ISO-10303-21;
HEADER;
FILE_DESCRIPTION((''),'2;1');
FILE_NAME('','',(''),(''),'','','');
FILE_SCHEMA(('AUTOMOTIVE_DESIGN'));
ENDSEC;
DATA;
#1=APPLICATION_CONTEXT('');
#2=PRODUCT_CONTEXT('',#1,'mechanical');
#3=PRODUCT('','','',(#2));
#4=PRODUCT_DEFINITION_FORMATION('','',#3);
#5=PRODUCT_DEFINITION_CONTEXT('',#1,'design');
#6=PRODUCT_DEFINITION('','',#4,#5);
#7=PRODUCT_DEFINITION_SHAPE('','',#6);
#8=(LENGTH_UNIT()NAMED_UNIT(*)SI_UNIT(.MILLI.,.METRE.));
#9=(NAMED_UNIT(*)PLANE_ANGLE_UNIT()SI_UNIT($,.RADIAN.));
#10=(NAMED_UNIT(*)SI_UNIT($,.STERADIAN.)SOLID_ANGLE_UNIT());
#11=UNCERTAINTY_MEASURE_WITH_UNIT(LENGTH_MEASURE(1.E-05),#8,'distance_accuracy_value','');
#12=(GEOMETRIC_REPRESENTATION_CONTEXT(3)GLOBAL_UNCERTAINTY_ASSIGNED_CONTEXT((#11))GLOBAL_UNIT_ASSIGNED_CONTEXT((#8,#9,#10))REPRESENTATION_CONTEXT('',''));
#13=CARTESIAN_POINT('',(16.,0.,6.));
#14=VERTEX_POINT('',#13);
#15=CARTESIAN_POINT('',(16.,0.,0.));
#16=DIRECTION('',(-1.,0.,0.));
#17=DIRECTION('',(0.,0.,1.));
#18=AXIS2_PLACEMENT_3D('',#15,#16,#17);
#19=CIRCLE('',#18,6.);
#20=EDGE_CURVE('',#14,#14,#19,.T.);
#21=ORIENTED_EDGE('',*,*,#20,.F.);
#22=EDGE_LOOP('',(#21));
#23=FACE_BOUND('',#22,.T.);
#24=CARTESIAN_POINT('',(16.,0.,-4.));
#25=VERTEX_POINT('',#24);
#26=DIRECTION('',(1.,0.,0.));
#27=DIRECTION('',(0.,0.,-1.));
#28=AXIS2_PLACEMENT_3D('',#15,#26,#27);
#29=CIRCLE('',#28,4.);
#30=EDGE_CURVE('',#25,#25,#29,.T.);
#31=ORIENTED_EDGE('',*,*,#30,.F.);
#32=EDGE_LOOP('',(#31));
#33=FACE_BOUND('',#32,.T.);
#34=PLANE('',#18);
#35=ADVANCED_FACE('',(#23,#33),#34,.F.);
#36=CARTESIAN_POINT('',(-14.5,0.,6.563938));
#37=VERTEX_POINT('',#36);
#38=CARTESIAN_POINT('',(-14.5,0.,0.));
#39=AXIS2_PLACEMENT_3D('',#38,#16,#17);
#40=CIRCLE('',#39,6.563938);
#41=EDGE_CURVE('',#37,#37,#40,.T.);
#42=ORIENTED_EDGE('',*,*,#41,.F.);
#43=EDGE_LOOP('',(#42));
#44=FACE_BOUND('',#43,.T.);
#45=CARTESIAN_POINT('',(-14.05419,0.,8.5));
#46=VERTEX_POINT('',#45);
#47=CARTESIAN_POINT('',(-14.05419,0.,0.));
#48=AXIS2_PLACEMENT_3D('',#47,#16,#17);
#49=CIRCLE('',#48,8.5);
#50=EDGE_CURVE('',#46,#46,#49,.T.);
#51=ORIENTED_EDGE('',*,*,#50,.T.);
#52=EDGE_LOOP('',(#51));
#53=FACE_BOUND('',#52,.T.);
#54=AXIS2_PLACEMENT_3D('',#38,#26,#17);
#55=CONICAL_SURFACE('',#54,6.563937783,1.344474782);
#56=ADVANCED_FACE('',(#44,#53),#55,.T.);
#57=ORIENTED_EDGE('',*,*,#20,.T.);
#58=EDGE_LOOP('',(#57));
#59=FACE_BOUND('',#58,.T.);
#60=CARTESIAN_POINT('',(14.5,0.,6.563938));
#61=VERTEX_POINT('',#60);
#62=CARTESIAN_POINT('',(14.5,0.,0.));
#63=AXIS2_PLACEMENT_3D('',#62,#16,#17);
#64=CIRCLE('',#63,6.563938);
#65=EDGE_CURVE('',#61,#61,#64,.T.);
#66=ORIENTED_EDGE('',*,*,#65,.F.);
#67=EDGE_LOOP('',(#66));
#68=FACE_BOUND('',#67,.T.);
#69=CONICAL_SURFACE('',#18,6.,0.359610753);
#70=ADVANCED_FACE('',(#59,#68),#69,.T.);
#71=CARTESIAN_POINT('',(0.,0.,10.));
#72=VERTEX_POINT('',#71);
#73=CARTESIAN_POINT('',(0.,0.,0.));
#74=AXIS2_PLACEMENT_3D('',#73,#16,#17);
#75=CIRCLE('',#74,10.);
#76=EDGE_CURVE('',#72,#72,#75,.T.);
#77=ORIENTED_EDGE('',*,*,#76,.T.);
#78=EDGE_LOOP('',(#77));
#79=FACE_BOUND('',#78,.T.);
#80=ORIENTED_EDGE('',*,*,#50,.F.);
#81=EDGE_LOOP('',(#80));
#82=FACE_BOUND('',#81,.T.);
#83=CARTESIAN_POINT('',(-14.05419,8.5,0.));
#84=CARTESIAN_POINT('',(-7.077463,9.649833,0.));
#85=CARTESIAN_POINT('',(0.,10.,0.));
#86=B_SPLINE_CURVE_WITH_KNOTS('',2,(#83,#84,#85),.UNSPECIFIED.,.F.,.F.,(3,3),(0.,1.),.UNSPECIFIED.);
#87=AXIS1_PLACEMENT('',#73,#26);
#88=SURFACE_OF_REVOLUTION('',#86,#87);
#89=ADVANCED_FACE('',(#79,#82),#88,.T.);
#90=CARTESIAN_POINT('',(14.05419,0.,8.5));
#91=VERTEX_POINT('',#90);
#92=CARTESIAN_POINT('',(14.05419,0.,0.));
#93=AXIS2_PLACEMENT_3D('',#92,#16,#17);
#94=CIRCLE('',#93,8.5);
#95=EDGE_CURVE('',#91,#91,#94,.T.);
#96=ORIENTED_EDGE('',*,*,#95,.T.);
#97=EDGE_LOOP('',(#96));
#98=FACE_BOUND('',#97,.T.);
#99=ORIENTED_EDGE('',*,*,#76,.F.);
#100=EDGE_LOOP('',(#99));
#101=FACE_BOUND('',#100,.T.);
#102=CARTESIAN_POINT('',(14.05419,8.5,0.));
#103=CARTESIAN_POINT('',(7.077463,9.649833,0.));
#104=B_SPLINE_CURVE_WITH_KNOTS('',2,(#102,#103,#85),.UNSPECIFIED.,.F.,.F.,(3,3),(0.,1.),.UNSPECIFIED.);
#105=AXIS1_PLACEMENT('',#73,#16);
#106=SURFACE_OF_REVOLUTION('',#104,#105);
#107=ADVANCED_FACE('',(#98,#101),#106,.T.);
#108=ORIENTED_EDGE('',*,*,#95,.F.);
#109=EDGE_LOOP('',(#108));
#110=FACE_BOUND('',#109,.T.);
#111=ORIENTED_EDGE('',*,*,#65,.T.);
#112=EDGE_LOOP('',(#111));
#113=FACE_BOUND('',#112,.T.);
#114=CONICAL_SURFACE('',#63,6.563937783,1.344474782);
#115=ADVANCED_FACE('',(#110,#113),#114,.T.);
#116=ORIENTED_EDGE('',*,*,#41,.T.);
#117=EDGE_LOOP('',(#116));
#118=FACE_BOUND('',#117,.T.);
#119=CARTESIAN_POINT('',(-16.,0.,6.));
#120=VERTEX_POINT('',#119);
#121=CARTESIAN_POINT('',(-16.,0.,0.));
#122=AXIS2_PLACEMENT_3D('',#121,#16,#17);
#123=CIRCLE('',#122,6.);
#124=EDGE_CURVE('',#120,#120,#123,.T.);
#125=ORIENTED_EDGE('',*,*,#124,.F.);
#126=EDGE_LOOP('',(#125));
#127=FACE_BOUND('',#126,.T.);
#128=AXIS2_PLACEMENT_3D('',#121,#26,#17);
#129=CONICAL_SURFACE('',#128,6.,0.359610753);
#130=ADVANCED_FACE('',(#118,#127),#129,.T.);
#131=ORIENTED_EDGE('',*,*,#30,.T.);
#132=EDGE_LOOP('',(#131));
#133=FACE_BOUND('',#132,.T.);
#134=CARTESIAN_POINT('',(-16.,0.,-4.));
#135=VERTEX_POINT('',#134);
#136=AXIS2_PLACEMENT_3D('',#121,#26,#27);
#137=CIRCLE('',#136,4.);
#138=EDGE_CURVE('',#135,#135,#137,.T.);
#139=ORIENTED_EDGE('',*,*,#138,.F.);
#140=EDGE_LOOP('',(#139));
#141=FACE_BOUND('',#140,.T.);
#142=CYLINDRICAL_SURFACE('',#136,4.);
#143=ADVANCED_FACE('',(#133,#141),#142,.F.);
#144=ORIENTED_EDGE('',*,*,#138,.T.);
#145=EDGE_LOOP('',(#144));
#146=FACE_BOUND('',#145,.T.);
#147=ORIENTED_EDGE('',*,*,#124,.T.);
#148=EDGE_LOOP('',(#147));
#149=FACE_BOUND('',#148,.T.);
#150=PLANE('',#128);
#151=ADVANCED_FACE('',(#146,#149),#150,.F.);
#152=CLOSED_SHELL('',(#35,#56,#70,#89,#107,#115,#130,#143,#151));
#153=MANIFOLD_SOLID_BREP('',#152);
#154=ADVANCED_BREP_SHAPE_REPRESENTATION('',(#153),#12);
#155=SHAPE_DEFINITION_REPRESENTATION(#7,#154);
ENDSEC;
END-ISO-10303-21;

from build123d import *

# Parameters (mm, degrees)
SKETCH7_R          = 4
CUT_EXTRUDE1_DEPTH = 35.985711426


with BuildPart() as part:
    # Sketch3 → Revolve1 (revolve)
    with BuildSketch(Plane.XY, mode=Mode.PRIVATE) as revolve1_sk:
        with BuildLine():
            Line((16, 0), (16, 6))
            Line((16, 6), (14.5, 6.563937783))
            Line((14.5, 6.563937783), (14.054189606, 8.5))
            add(Edge.make_bspline(
                [(0, 10), (7.077462611, 9.64983273), (14.054189606, 8.5)],
                knots=[0, 0, 0, 1, 1, 1], degree=2))
            Line((0, 10), (0, 0))
            Line((0, 0), (16, 0))
        make_face()
    revolve1 = revolve(revolve1_sk.sketch.rotate(Axis((0, 0, 0), (1, 0, 0)), 90), axis=Axis((0, 0, 0), (1, 0, 0)))

    # Mirror1: Revolve1 across plane
    add(revolve1.mirror(Plane(origin=(0, 10, 0), x_dir=(0, 0, 1), z_dir=(1, 0, 0))))

    # Sketch7 → Cut-Extrude1 (cut, through all)
    with BuildSketch(Plane(origin=(16, 0, 0), x_dir=(0, 0, -1), z_dir=(1, 0, 0))):
        Circle(SKETCH7_R)
    extrude(amount=-CUT_EXTRUDE1_DEPTH, mode=Mode.SUBTRACT)


solid = part.part
